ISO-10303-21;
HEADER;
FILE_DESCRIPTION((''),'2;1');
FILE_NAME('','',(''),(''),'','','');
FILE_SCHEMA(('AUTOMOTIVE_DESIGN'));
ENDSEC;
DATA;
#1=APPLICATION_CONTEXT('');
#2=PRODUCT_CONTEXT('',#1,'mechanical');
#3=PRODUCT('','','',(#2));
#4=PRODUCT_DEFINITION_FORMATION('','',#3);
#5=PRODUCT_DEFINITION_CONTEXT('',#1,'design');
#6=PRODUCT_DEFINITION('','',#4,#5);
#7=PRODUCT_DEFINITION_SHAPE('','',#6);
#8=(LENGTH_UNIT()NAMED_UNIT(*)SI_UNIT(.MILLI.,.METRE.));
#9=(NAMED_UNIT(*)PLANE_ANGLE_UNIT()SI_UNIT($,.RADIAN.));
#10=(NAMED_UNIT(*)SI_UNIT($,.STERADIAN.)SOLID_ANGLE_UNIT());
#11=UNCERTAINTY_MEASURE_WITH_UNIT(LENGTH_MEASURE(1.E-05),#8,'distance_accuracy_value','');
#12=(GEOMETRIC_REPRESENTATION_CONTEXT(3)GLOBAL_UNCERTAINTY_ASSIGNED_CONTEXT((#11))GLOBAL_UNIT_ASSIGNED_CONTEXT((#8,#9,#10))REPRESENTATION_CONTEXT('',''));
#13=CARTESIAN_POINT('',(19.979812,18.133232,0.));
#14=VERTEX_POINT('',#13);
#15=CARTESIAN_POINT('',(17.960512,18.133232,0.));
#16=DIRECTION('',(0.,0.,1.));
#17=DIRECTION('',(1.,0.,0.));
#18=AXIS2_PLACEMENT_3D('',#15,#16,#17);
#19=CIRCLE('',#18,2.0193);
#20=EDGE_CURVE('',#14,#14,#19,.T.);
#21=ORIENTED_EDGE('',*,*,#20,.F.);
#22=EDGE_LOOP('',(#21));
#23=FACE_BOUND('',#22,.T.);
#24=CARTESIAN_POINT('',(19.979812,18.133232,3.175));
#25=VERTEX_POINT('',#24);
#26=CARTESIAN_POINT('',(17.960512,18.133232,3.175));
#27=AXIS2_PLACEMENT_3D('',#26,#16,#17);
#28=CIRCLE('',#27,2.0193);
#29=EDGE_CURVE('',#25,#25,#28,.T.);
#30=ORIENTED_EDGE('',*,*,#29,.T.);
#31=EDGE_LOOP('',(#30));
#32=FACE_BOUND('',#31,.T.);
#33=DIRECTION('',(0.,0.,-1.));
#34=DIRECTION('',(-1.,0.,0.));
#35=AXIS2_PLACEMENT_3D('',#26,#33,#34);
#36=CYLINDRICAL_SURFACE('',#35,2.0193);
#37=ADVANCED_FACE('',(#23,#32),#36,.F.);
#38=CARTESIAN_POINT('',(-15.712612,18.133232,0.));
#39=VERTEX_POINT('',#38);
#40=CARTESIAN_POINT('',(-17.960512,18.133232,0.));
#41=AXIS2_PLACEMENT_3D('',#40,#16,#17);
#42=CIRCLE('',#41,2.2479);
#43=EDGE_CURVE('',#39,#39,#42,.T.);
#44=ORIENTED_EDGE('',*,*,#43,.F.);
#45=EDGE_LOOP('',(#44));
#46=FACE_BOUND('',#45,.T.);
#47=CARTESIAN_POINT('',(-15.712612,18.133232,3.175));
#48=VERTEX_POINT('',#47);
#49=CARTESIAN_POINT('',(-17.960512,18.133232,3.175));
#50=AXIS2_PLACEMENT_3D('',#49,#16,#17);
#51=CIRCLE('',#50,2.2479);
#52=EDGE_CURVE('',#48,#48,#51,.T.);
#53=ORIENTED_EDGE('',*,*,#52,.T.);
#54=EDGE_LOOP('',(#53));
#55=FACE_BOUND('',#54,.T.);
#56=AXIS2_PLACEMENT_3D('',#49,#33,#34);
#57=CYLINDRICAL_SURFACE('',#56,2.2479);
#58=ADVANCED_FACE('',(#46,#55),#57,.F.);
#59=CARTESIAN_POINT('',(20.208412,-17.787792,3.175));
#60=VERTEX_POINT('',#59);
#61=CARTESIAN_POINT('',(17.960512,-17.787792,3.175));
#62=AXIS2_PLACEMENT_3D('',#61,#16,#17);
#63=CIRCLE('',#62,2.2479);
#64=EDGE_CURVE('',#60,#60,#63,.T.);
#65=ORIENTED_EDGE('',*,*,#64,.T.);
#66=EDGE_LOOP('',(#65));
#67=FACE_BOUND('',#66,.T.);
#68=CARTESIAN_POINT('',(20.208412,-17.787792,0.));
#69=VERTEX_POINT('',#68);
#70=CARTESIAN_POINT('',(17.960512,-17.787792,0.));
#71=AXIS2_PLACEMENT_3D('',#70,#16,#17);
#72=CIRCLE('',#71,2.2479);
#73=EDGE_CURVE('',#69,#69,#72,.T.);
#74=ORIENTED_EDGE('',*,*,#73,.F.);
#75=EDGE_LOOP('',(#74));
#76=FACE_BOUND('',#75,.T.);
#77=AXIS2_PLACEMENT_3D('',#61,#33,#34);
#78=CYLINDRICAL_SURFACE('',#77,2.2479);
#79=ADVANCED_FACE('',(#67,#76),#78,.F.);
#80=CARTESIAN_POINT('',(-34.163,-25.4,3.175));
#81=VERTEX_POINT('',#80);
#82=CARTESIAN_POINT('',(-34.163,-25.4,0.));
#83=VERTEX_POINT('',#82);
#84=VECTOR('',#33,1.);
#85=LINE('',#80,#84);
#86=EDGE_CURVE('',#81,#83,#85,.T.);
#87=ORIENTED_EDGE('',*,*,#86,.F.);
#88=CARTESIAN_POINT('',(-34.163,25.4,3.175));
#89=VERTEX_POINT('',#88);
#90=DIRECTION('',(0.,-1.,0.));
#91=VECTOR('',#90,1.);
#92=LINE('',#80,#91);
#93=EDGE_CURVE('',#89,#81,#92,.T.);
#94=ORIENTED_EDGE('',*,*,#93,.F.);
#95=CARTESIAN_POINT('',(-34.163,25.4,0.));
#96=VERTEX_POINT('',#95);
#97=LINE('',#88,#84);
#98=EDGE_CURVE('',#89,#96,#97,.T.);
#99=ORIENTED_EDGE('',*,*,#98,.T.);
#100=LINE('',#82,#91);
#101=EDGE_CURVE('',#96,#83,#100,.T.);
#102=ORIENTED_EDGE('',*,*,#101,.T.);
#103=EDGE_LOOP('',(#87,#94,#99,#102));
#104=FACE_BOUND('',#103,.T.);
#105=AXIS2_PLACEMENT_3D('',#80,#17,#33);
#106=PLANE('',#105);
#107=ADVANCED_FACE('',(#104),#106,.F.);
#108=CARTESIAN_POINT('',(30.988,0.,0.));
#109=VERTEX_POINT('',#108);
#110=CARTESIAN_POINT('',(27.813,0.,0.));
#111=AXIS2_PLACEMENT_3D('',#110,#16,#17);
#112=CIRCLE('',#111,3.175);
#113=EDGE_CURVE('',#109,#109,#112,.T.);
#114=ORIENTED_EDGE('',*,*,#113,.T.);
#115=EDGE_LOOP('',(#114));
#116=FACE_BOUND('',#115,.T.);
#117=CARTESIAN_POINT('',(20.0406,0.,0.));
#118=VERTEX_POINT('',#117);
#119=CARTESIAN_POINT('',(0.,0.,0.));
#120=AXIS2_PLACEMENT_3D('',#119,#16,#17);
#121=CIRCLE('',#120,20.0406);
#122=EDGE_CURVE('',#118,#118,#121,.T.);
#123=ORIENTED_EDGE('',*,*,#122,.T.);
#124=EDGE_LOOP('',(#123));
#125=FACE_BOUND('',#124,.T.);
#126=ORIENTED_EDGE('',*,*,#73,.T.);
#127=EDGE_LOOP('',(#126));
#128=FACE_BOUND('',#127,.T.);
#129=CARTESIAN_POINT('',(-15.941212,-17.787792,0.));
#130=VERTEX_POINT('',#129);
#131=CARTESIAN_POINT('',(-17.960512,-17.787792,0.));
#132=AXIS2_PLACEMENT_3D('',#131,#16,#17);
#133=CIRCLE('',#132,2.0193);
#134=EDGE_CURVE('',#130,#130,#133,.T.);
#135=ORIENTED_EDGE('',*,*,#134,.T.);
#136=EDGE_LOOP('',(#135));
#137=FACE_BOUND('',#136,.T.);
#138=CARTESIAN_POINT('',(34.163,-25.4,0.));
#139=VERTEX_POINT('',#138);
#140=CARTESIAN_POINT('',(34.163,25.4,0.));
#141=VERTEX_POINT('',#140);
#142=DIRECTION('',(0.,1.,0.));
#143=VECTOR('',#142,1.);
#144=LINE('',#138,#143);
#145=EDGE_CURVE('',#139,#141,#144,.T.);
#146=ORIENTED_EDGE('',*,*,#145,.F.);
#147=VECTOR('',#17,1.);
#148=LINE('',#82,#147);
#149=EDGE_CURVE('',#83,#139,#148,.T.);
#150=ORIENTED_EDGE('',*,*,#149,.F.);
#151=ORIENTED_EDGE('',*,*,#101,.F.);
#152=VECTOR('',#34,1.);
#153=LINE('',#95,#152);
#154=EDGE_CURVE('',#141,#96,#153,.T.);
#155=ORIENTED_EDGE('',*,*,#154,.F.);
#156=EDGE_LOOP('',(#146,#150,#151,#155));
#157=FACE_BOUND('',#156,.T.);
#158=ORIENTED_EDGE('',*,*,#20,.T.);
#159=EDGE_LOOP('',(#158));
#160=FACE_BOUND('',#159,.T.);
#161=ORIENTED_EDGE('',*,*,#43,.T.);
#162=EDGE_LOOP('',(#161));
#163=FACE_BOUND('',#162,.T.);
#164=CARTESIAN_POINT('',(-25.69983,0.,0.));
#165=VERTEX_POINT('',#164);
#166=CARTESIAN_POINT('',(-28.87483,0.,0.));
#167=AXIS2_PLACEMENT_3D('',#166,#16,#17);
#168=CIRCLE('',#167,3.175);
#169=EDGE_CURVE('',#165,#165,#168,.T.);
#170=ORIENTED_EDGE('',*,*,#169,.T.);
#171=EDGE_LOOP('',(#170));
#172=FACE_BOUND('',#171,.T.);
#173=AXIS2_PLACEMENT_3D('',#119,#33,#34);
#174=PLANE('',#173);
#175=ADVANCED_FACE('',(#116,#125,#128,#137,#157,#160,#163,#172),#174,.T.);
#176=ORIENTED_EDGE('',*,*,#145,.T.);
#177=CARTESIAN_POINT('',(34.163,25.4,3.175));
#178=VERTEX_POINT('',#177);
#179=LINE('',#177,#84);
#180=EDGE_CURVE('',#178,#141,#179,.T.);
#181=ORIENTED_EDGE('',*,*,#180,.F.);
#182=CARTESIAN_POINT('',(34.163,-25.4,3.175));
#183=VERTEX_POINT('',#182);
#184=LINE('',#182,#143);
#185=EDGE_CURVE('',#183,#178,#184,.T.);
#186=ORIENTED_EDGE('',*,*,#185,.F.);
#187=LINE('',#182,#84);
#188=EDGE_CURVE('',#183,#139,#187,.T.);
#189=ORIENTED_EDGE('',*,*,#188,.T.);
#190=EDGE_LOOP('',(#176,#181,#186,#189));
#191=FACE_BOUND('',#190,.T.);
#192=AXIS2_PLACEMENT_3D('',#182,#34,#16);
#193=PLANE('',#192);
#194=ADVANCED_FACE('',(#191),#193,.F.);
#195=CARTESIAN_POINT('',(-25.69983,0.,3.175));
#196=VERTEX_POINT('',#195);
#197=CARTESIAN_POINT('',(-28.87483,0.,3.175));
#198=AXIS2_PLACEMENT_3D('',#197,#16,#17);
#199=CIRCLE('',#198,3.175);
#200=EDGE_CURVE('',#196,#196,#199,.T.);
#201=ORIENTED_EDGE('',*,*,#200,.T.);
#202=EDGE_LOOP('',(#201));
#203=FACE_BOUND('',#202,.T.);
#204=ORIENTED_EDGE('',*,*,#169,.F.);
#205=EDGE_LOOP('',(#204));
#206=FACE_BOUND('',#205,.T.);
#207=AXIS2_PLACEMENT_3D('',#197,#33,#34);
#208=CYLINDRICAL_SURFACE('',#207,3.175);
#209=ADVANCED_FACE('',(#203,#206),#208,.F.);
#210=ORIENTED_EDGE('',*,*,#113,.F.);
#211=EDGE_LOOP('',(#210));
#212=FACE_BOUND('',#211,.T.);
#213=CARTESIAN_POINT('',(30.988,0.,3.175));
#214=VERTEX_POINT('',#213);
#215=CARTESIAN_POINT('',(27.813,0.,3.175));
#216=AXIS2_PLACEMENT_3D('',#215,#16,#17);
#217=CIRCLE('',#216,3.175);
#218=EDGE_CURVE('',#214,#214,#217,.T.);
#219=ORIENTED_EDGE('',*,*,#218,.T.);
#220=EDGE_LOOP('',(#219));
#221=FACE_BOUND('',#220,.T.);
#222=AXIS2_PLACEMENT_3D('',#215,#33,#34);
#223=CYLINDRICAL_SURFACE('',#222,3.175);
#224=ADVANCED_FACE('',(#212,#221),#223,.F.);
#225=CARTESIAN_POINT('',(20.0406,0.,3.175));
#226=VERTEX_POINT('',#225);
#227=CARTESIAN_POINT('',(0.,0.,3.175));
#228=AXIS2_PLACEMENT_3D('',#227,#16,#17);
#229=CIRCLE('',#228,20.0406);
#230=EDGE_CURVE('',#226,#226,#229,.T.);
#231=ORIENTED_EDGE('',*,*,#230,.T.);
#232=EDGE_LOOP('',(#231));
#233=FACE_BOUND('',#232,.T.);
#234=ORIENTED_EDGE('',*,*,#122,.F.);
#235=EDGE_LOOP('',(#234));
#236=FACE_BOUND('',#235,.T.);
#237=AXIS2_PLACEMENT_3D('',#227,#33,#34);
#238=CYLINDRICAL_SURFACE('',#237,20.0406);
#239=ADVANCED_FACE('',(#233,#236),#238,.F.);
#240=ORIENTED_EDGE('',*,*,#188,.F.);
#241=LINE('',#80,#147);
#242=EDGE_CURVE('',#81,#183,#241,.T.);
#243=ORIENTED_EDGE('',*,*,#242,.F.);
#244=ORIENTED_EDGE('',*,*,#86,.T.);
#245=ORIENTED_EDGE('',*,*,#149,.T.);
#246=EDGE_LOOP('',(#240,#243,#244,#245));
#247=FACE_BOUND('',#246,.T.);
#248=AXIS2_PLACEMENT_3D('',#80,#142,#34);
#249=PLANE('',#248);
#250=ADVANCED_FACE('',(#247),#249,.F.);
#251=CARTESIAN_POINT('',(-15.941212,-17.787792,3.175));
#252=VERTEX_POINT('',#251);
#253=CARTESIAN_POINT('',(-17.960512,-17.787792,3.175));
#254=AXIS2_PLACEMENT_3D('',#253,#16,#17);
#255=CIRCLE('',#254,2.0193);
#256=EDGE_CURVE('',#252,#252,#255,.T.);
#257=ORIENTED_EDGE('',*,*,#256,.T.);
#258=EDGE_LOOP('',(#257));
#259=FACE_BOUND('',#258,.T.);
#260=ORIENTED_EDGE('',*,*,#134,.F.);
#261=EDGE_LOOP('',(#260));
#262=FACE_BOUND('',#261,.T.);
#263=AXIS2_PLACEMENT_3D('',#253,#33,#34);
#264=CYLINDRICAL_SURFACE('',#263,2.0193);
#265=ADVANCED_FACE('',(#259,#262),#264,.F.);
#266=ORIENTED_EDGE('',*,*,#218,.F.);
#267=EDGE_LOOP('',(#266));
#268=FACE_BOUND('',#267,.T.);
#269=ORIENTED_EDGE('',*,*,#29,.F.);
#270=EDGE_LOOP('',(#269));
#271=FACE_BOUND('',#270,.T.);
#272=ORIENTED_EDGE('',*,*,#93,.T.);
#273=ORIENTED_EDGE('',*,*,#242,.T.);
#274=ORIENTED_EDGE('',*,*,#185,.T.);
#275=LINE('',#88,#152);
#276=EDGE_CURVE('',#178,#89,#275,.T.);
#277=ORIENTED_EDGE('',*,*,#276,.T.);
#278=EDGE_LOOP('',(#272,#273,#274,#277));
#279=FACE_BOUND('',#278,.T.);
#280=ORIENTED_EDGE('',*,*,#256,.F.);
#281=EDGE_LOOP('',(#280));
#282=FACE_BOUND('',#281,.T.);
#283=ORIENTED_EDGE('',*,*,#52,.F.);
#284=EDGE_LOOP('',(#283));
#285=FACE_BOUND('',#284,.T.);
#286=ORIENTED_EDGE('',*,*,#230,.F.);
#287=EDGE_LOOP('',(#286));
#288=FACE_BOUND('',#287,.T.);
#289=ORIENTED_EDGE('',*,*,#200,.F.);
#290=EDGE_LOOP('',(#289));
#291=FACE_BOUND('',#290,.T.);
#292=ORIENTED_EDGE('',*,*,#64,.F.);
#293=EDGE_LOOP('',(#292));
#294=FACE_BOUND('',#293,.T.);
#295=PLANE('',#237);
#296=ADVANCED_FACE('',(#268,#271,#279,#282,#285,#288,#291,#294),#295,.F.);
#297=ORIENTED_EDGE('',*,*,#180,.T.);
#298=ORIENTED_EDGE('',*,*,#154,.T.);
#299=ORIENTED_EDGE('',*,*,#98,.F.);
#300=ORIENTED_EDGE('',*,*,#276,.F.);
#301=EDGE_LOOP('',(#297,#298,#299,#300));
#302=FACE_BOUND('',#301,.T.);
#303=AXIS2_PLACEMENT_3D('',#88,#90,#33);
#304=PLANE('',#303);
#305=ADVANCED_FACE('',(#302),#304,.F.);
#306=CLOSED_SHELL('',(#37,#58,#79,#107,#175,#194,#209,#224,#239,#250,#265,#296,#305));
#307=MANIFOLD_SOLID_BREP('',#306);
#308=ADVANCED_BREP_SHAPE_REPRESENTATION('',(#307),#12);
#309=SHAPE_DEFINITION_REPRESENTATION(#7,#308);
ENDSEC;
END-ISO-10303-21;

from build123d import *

# Parameters (mm, degrees)
SKETCH2_W           = 68.326
SKETCH2_H           = 50.8
SKETCH2_R           = 2.2479
SKETCH2_R_2         = 2.0193
SKETCH2_R_3         = 20.0406
SKETCH2_R_4         = 3.175
BOSS_EXTRUDE1_DEPTH = 3.175


with BuildPart() as part:
    # Sketch2 → Boss-Extrude1 (new body)
    with BuildSketch(Plane.XY):
        Rectangle(SKETCH2_W, SKETCH2_H)
        with Locations((-17.960512242, 18.133232242)):
            Circle(SKETCH2_R, mode=Mode.SUBTRACT)
        with Locations((17.960512242, 18.133232242)):
            Circle(SKETCH2_R_2, mode=Mode.SUBTRACT)
        with Locations((17.960512242, -17.787792242)):
            Circle(SKETCH2_R, mode=Mode.SUBTRACT)
        with Locations((-17.960512242, -17.787792242)):
            Circle(SKETCH2_R_2, mode=Mode.SUBTRACT)
        Circle(SKETCH2_R_3, mode=Mode.SUBTRACT)
        with Locations((-28.874829799, 0)):
            Circle(SKETCH2_R_4, mode=Mode.SUBTRACT)
        with Locations((27.813, 0)):
            Circle(SKETCH2_R_4, mode=Mode.SUBTRACT)
    extrude(amount=BOSS_EXTRUDE1_DEPTH)


solid = part.part
